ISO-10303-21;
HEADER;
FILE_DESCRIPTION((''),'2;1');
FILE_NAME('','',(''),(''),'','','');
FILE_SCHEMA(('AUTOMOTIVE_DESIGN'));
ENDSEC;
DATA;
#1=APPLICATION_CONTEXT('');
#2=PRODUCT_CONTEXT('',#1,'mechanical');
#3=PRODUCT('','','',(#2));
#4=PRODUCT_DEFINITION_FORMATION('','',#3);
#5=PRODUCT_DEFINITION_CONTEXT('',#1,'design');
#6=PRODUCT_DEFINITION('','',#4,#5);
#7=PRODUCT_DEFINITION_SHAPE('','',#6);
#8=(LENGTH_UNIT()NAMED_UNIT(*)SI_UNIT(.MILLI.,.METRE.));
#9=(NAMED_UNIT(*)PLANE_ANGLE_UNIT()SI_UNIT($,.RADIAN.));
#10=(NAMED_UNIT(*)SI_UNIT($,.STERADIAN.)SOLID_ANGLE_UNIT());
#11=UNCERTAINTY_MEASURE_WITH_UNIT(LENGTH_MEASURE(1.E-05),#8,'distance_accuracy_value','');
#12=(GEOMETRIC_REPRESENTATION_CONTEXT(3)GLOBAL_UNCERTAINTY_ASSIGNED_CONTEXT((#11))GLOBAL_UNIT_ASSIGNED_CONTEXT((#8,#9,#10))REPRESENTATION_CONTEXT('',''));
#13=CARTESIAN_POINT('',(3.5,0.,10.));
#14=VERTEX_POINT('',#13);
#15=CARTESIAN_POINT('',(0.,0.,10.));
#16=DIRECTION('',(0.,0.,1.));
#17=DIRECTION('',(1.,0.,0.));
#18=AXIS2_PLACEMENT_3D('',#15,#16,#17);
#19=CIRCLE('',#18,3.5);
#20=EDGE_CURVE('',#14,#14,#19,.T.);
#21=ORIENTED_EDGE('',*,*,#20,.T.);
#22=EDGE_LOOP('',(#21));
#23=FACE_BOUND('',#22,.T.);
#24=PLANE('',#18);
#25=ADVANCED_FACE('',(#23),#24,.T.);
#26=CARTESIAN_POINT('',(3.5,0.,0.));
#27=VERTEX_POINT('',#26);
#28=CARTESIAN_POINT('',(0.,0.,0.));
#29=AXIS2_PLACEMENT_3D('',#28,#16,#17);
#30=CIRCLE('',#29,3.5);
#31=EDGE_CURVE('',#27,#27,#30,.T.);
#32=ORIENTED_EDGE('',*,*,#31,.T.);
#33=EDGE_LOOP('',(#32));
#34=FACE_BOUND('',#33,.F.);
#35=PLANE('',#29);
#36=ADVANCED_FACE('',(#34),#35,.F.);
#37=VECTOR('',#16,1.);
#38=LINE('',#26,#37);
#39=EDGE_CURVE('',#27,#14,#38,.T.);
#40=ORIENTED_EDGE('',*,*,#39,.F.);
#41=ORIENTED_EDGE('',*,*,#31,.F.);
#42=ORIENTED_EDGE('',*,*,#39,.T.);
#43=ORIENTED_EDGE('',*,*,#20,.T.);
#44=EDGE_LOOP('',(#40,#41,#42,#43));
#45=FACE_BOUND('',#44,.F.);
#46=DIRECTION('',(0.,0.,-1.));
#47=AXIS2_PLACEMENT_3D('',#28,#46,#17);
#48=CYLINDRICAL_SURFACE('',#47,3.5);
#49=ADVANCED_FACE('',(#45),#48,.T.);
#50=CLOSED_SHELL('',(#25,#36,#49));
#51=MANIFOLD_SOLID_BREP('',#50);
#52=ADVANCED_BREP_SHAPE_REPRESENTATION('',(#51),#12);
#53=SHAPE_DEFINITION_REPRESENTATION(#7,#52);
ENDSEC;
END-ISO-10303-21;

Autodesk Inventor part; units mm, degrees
ref_plane "YZ Plane" through (0, 0, 0) normal (1, 0, 0) x (0, 1, 0)
ref_plane "XZ Plane" through (0, 0, 0) normal (0, 1, 0) x (-1, 0, 0)
ref_plane "XY Plane" through (0, 0, 0) normal (0, 0, 1) x (1, 0, 0)
sketch "Skizze1" plane through (0, 0, 0) normal (0, 0, 1) x (1, 0, 0)
  circle A0 centre (0, 0) radius 3.5
  dimension "d0" = 7
extrude "Extrusion2" add sketch "Skizze1" along normal blind 10
properties part number "bohrungmotor"
